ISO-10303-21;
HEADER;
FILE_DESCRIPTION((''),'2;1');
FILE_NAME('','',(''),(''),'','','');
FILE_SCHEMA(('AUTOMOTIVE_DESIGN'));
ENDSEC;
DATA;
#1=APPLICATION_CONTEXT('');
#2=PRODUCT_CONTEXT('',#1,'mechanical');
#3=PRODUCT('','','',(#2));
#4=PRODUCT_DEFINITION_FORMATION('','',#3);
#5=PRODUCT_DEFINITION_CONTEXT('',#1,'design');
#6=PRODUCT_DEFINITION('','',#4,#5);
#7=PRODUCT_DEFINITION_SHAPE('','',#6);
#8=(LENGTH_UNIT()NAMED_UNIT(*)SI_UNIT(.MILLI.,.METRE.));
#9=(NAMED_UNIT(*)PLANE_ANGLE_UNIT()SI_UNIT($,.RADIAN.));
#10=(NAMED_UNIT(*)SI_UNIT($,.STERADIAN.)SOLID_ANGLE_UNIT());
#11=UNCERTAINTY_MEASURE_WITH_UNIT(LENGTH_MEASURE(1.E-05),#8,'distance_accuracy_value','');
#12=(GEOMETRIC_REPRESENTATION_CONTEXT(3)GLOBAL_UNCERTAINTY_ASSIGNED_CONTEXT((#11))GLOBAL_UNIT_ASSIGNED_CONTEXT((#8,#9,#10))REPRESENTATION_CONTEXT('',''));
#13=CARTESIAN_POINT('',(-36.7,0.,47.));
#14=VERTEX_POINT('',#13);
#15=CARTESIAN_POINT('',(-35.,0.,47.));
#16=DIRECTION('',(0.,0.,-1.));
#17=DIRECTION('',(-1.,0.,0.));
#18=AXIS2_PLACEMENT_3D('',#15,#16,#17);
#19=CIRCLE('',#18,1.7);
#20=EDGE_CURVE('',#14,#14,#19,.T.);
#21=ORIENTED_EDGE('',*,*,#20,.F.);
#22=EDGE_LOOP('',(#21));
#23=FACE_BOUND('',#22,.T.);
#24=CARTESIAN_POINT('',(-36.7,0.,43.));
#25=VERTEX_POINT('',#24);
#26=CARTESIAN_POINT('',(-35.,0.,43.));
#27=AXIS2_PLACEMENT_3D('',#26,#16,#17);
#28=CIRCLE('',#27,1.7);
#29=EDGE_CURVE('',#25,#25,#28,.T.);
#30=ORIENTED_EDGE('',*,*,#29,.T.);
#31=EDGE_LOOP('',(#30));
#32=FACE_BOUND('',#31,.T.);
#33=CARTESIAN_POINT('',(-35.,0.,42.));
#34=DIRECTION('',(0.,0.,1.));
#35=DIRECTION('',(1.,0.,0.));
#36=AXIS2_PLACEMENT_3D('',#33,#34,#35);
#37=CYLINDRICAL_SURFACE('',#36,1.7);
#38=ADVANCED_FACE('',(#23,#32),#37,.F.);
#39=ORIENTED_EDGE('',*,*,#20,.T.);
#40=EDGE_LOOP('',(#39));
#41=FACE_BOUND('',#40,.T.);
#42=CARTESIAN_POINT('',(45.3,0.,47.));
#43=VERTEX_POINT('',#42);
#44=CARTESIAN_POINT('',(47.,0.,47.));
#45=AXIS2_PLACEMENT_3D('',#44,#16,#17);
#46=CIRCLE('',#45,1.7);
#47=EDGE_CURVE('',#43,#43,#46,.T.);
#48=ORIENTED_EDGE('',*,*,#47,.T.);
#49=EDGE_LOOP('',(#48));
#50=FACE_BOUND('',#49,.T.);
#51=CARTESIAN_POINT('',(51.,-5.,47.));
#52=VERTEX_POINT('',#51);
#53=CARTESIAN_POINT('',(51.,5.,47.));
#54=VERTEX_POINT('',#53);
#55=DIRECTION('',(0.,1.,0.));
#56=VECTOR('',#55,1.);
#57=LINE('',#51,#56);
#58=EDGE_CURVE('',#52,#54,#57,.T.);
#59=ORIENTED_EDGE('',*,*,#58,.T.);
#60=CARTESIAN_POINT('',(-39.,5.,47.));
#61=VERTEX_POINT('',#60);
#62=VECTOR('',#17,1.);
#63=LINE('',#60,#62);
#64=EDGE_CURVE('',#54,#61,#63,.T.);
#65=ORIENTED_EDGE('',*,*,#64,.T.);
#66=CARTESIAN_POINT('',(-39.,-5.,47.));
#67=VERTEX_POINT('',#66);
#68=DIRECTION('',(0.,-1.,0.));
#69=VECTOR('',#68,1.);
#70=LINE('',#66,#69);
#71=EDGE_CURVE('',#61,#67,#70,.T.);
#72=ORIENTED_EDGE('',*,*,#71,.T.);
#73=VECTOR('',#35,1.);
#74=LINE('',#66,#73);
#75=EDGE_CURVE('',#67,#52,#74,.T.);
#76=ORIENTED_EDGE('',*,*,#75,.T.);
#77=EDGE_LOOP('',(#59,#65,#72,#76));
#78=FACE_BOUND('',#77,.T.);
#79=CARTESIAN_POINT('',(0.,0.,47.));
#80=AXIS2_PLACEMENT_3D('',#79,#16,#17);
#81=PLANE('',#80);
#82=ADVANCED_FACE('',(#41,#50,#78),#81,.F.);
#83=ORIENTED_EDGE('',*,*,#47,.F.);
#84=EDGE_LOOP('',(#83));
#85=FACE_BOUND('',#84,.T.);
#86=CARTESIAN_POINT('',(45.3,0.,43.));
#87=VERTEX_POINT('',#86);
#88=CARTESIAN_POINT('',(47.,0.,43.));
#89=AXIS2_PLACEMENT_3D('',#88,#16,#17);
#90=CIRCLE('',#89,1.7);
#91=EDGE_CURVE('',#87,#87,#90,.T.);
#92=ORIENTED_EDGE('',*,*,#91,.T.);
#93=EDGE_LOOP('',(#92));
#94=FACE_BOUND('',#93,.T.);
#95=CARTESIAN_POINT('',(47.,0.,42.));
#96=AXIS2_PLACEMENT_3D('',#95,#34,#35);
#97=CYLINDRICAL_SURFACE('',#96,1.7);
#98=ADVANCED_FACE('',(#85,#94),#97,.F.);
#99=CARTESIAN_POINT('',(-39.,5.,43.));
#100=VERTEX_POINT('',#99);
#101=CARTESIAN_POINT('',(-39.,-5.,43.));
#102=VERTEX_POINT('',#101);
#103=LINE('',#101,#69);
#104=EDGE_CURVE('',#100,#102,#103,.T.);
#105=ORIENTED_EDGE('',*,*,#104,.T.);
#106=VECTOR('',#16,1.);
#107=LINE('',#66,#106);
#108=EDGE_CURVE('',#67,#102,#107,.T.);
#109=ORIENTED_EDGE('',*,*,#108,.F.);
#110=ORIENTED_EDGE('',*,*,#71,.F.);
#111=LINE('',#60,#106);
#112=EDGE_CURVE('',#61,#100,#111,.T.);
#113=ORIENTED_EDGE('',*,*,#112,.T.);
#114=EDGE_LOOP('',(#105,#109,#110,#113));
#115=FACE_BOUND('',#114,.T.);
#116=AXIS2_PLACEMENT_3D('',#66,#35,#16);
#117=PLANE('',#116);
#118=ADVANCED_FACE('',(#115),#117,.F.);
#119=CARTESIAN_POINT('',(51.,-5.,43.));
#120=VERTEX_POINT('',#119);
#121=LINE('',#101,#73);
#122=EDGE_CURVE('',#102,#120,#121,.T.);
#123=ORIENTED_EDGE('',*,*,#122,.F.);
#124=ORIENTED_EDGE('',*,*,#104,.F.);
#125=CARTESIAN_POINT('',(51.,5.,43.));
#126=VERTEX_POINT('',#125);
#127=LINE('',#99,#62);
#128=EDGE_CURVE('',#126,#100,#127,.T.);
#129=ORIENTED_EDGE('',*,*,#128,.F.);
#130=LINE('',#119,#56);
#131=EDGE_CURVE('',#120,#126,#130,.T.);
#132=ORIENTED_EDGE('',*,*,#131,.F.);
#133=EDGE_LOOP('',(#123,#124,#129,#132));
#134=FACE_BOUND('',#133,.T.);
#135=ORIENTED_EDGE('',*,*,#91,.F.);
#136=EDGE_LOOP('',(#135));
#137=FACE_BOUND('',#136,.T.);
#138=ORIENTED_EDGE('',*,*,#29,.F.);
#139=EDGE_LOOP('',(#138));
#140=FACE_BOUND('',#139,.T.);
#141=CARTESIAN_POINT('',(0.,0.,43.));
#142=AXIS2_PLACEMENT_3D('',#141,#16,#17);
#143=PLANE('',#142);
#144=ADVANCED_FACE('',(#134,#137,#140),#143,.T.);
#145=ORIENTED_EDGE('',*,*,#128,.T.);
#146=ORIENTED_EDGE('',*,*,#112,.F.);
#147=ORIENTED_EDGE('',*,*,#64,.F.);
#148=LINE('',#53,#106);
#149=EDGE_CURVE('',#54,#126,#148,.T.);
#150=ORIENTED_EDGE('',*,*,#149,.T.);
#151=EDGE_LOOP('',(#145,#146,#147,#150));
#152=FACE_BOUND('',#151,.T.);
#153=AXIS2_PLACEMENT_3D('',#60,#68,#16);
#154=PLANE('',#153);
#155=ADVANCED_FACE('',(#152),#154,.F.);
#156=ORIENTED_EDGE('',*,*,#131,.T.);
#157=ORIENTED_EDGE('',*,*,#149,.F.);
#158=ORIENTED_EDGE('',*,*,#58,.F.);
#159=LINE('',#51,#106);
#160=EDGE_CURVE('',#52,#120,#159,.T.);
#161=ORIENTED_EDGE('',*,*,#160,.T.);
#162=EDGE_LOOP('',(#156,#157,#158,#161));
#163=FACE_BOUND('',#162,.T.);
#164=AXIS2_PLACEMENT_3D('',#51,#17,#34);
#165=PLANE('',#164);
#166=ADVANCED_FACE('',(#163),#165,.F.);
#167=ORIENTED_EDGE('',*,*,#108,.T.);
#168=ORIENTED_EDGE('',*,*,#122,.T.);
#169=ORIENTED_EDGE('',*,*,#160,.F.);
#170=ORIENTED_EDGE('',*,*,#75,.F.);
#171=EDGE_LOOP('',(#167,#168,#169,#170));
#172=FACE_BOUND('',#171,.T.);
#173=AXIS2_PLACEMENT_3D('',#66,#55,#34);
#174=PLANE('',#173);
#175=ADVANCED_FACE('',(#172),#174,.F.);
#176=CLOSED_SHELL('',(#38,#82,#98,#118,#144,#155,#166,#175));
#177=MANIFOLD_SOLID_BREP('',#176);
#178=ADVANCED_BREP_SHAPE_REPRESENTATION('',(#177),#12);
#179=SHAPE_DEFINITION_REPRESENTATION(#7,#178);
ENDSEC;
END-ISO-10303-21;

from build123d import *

# Parameters (mm, degrees)
BATTERY_REMOVABLE_CLAMP_BAR_START = 43
SKETCH_1_W                        = 90
SKETCH_1_H                        = 10
BATTERY_REMOVABLE_CLAMP_BAR_DEPTH = 4
CLAMP_TWO_M3_START                = 48
SKETCH_2_R                        = 1.7
CLAMP_TWO_M3_DEPTH                = 6


with BuildPart() as part:
    # 草图1 → Battery_removable_clamp_bar (new body)
    with BuildSketch(Plane.XY.offset(BATTERY_REMOVABLE_CLAMP_BAR_START)):
        with Locations((6, 0)):
            Rectangle(SKETCH_1_W, SKETCH_1_H)
    extrude(amount=BATTERY_REMOVABLE_CLAMP_BAR_DEPTH)

    # 草图2 → Clamp_two_M3 (cut)
    with BuildSketch(Plane.XY.offset(CLAMP_TWO_M3_START)):
        with Locations(Location((-35, 0, 0), (0, 0, 180))):
            Circle(SKETCH_2_R)
        with Locations(Location((47, 0, 0), (0, 0, 180))):
            Circle(SKETCH_2_R)
    extrude(amount=-CLAMP_TWO_M3_DEPTH, mode=Mode.SUBTRACT)


solid = part.part
